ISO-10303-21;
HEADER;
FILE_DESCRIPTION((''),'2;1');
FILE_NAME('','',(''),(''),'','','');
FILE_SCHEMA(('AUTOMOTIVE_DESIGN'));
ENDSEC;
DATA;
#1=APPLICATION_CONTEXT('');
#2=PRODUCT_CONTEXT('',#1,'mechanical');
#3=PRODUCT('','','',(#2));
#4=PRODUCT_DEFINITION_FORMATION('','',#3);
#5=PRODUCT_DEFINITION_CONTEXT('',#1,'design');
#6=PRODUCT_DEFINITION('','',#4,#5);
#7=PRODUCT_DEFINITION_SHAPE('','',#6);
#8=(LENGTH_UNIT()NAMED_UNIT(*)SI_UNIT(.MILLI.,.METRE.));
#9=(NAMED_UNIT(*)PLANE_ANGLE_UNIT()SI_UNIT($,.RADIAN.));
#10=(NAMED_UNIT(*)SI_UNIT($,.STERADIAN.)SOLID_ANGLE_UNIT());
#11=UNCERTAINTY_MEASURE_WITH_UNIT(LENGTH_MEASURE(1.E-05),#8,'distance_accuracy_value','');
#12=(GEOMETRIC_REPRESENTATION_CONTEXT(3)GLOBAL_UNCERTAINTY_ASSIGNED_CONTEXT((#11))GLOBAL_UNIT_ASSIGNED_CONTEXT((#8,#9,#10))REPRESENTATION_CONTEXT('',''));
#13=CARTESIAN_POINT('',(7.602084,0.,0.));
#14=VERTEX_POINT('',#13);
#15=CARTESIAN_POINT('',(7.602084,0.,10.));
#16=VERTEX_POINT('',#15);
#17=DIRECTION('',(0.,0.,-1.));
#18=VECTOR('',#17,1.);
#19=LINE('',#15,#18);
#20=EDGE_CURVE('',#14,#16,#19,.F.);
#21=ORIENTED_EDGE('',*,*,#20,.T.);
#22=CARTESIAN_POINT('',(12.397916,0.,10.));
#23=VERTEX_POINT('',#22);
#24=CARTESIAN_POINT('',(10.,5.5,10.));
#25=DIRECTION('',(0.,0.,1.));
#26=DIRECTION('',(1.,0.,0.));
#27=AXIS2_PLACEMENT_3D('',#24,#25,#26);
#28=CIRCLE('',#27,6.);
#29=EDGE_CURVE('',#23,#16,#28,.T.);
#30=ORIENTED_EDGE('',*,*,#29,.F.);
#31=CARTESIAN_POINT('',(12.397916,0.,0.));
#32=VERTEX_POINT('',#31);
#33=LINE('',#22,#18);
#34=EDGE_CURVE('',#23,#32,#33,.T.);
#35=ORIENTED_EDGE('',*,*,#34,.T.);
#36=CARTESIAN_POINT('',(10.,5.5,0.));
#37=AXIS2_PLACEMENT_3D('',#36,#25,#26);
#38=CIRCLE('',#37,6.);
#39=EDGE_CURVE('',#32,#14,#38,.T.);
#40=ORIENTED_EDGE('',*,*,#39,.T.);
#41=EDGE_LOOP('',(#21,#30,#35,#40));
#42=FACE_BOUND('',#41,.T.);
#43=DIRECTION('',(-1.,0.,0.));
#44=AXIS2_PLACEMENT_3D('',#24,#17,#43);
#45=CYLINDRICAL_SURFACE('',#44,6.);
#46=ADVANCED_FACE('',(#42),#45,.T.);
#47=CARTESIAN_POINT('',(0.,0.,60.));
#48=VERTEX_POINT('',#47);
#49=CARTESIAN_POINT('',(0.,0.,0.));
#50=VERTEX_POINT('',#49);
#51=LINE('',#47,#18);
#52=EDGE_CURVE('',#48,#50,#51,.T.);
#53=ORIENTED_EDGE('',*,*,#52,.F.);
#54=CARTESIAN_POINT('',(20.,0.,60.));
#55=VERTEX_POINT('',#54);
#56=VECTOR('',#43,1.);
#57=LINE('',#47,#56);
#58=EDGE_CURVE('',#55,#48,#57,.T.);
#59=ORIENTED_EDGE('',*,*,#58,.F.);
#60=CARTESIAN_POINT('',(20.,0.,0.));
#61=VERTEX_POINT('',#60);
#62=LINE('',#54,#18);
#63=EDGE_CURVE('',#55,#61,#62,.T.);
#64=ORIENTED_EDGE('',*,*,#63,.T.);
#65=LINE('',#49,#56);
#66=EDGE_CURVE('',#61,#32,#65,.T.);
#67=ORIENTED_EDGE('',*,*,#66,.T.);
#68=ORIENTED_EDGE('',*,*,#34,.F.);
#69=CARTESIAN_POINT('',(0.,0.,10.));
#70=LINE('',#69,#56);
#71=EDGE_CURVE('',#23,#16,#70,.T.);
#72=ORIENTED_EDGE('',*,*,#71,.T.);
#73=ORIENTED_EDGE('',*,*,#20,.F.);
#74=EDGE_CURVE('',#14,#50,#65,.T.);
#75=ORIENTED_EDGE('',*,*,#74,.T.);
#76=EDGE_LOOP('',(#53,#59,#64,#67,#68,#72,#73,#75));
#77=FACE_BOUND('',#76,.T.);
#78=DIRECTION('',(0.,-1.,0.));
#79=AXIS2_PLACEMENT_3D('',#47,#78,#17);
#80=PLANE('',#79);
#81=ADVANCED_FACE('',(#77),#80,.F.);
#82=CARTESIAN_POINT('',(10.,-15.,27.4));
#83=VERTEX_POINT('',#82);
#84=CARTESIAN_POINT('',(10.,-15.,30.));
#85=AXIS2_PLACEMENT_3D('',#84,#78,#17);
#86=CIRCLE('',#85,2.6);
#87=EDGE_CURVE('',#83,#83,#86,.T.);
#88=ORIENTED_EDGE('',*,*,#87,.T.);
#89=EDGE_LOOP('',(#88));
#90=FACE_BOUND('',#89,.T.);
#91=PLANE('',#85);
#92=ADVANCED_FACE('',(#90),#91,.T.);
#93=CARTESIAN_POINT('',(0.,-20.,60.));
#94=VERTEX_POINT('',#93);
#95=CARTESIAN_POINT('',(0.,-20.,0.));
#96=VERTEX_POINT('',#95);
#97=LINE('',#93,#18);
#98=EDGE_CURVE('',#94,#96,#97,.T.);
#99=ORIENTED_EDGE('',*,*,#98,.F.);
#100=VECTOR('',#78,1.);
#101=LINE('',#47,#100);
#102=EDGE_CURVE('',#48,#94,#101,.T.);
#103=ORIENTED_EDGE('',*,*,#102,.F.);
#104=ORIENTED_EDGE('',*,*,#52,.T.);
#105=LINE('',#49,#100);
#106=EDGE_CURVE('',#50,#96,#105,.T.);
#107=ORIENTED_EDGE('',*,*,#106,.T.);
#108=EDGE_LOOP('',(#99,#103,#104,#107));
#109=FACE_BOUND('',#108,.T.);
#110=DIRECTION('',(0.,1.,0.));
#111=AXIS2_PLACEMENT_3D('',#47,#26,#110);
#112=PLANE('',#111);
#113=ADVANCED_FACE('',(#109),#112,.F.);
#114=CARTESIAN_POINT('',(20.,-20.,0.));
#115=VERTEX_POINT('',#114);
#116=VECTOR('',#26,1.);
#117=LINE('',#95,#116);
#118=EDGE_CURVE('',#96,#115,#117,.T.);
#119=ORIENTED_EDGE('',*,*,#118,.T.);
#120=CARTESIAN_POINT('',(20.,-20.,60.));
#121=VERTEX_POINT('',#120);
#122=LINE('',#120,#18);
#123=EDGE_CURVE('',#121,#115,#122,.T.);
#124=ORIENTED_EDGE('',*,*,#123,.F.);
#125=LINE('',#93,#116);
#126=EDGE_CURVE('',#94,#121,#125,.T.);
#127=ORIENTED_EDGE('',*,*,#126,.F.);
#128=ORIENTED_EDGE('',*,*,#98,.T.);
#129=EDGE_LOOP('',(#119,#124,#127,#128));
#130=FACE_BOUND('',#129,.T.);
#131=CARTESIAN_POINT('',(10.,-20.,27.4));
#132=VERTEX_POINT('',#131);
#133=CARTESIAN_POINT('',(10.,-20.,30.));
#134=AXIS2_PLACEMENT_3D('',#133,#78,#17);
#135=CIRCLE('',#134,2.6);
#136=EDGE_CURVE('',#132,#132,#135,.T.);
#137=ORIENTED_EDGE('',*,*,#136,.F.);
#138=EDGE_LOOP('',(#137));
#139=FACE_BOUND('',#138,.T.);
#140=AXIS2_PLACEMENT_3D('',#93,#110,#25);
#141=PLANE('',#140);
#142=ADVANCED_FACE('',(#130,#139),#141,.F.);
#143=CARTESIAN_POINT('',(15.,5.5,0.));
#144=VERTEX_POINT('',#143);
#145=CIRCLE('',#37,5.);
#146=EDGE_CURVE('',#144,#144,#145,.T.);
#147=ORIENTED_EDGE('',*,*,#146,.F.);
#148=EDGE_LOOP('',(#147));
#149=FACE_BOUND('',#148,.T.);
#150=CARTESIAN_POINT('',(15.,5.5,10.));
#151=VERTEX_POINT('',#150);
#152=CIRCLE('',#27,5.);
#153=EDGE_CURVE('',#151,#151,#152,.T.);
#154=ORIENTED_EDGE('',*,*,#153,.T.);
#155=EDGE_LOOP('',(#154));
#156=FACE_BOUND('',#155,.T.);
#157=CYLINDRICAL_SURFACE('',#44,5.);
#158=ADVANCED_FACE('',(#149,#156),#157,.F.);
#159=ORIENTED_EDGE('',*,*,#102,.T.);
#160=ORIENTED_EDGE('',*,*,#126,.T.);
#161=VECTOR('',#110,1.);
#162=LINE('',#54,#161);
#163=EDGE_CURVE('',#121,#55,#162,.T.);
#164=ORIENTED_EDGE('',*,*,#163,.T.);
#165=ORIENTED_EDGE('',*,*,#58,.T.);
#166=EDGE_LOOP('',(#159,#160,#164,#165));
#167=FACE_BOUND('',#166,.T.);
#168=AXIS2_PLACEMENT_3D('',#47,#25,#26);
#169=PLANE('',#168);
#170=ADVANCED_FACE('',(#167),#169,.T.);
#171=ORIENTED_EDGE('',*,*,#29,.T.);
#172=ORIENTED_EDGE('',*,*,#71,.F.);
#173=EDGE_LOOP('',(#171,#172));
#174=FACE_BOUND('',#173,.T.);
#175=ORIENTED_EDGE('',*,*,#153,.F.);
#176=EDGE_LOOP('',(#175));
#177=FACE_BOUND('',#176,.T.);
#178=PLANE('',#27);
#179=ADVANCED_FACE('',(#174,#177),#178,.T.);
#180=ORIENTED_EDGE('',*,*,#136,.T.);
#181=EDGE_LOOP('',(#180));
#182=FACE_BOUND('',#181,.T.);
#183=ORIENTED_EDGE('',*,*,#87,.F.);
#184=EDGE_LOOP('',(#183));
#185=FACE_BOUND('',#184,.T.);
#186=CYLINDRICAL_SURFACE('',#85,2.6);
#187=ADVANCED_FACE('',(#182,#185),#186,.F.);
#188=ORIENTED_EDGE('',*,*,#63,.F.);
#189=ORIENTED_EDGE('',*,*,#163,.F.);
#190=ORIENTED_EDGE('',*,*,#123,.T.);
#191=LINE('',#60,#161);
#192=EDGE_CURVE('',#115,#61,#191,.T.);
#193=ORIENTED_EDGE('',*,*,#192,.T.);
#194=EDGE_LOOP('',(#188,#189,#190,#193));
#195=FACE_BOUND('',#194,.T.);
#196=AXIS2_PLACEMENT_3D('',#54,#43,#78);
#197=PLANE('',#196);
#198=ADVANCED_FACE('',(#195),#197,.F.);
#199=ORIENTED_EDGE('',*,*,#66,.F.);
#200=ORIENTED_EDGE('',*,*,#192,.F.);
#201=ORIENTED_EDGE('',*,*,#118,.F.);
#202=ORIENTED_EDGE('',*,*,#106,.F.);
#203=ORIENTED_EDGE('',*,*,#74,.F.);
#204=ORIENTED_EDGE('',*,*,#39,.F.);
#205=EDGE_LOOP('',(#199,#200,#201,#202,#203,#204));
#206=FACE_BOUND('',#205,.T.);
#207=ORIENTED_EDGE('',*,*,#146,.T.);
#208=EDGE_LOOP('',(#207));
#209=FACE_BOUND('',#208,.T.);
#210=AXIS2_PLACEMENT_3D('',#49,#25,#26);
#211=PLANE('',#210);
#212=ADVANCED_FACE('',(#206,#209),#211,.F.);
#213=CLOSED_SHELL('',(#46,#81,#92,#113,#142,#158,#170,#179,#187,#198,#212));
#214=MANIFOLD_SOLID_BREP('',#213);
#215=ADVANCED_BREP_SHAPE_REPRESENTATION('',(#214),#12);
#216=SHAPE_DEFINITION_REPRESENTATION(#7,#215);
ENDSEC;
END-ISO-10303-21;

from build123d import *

# Parameters (mm, degrees)
SKETCH1_W           = 20
SKETCH1_H           = 20
BOSS_EXTRUDE1_DEPTH = 60
SKETCH2_R           = 2.6
CUT_EXTRUDE1_DEPTH  = 5
SKETCH3_R           = 6
SKETCH3_R_2         = 5
BOSS_EXTRUDE2_DEPTH = 10


with BuildPart() as part:
    # Sketch1 → Boss-Extrude1 (new body)
    with BuildSketch(Plane.XY):
        with Locations((10, -10)):
            Rectangle(SKETCH1_W, SKETCH1_H)
    extrude(amount=BOSS_EXTRUDE1_DEPTH)

    # Sketch2 → Cut-Extrude1 (cut)
    with BuildSketch(Plane.XZ.offset(20)):
        with Locations(Location((10, 30, 0), (0, 0, 270))):
            Circle(SKETCH2_R)
    extrude(amount=-CUT_EXTRUDE1_DEPTH, mode=Mode.SUBTRACT)

    # Sketch3 → Boss-Extrude2 (add)
    with BuildSketch(Plane.XY):
        with Locations((10, 5.5)):
            Circle(SKETCH3_R)
        with Locations((10, 5.5)):
            Circle(SKETCH3_R_2, mode=Mode.SUBTRACT)
    extrude(amount=BOSS_EXTRUDE2_DEPTH)


solid = part.part
